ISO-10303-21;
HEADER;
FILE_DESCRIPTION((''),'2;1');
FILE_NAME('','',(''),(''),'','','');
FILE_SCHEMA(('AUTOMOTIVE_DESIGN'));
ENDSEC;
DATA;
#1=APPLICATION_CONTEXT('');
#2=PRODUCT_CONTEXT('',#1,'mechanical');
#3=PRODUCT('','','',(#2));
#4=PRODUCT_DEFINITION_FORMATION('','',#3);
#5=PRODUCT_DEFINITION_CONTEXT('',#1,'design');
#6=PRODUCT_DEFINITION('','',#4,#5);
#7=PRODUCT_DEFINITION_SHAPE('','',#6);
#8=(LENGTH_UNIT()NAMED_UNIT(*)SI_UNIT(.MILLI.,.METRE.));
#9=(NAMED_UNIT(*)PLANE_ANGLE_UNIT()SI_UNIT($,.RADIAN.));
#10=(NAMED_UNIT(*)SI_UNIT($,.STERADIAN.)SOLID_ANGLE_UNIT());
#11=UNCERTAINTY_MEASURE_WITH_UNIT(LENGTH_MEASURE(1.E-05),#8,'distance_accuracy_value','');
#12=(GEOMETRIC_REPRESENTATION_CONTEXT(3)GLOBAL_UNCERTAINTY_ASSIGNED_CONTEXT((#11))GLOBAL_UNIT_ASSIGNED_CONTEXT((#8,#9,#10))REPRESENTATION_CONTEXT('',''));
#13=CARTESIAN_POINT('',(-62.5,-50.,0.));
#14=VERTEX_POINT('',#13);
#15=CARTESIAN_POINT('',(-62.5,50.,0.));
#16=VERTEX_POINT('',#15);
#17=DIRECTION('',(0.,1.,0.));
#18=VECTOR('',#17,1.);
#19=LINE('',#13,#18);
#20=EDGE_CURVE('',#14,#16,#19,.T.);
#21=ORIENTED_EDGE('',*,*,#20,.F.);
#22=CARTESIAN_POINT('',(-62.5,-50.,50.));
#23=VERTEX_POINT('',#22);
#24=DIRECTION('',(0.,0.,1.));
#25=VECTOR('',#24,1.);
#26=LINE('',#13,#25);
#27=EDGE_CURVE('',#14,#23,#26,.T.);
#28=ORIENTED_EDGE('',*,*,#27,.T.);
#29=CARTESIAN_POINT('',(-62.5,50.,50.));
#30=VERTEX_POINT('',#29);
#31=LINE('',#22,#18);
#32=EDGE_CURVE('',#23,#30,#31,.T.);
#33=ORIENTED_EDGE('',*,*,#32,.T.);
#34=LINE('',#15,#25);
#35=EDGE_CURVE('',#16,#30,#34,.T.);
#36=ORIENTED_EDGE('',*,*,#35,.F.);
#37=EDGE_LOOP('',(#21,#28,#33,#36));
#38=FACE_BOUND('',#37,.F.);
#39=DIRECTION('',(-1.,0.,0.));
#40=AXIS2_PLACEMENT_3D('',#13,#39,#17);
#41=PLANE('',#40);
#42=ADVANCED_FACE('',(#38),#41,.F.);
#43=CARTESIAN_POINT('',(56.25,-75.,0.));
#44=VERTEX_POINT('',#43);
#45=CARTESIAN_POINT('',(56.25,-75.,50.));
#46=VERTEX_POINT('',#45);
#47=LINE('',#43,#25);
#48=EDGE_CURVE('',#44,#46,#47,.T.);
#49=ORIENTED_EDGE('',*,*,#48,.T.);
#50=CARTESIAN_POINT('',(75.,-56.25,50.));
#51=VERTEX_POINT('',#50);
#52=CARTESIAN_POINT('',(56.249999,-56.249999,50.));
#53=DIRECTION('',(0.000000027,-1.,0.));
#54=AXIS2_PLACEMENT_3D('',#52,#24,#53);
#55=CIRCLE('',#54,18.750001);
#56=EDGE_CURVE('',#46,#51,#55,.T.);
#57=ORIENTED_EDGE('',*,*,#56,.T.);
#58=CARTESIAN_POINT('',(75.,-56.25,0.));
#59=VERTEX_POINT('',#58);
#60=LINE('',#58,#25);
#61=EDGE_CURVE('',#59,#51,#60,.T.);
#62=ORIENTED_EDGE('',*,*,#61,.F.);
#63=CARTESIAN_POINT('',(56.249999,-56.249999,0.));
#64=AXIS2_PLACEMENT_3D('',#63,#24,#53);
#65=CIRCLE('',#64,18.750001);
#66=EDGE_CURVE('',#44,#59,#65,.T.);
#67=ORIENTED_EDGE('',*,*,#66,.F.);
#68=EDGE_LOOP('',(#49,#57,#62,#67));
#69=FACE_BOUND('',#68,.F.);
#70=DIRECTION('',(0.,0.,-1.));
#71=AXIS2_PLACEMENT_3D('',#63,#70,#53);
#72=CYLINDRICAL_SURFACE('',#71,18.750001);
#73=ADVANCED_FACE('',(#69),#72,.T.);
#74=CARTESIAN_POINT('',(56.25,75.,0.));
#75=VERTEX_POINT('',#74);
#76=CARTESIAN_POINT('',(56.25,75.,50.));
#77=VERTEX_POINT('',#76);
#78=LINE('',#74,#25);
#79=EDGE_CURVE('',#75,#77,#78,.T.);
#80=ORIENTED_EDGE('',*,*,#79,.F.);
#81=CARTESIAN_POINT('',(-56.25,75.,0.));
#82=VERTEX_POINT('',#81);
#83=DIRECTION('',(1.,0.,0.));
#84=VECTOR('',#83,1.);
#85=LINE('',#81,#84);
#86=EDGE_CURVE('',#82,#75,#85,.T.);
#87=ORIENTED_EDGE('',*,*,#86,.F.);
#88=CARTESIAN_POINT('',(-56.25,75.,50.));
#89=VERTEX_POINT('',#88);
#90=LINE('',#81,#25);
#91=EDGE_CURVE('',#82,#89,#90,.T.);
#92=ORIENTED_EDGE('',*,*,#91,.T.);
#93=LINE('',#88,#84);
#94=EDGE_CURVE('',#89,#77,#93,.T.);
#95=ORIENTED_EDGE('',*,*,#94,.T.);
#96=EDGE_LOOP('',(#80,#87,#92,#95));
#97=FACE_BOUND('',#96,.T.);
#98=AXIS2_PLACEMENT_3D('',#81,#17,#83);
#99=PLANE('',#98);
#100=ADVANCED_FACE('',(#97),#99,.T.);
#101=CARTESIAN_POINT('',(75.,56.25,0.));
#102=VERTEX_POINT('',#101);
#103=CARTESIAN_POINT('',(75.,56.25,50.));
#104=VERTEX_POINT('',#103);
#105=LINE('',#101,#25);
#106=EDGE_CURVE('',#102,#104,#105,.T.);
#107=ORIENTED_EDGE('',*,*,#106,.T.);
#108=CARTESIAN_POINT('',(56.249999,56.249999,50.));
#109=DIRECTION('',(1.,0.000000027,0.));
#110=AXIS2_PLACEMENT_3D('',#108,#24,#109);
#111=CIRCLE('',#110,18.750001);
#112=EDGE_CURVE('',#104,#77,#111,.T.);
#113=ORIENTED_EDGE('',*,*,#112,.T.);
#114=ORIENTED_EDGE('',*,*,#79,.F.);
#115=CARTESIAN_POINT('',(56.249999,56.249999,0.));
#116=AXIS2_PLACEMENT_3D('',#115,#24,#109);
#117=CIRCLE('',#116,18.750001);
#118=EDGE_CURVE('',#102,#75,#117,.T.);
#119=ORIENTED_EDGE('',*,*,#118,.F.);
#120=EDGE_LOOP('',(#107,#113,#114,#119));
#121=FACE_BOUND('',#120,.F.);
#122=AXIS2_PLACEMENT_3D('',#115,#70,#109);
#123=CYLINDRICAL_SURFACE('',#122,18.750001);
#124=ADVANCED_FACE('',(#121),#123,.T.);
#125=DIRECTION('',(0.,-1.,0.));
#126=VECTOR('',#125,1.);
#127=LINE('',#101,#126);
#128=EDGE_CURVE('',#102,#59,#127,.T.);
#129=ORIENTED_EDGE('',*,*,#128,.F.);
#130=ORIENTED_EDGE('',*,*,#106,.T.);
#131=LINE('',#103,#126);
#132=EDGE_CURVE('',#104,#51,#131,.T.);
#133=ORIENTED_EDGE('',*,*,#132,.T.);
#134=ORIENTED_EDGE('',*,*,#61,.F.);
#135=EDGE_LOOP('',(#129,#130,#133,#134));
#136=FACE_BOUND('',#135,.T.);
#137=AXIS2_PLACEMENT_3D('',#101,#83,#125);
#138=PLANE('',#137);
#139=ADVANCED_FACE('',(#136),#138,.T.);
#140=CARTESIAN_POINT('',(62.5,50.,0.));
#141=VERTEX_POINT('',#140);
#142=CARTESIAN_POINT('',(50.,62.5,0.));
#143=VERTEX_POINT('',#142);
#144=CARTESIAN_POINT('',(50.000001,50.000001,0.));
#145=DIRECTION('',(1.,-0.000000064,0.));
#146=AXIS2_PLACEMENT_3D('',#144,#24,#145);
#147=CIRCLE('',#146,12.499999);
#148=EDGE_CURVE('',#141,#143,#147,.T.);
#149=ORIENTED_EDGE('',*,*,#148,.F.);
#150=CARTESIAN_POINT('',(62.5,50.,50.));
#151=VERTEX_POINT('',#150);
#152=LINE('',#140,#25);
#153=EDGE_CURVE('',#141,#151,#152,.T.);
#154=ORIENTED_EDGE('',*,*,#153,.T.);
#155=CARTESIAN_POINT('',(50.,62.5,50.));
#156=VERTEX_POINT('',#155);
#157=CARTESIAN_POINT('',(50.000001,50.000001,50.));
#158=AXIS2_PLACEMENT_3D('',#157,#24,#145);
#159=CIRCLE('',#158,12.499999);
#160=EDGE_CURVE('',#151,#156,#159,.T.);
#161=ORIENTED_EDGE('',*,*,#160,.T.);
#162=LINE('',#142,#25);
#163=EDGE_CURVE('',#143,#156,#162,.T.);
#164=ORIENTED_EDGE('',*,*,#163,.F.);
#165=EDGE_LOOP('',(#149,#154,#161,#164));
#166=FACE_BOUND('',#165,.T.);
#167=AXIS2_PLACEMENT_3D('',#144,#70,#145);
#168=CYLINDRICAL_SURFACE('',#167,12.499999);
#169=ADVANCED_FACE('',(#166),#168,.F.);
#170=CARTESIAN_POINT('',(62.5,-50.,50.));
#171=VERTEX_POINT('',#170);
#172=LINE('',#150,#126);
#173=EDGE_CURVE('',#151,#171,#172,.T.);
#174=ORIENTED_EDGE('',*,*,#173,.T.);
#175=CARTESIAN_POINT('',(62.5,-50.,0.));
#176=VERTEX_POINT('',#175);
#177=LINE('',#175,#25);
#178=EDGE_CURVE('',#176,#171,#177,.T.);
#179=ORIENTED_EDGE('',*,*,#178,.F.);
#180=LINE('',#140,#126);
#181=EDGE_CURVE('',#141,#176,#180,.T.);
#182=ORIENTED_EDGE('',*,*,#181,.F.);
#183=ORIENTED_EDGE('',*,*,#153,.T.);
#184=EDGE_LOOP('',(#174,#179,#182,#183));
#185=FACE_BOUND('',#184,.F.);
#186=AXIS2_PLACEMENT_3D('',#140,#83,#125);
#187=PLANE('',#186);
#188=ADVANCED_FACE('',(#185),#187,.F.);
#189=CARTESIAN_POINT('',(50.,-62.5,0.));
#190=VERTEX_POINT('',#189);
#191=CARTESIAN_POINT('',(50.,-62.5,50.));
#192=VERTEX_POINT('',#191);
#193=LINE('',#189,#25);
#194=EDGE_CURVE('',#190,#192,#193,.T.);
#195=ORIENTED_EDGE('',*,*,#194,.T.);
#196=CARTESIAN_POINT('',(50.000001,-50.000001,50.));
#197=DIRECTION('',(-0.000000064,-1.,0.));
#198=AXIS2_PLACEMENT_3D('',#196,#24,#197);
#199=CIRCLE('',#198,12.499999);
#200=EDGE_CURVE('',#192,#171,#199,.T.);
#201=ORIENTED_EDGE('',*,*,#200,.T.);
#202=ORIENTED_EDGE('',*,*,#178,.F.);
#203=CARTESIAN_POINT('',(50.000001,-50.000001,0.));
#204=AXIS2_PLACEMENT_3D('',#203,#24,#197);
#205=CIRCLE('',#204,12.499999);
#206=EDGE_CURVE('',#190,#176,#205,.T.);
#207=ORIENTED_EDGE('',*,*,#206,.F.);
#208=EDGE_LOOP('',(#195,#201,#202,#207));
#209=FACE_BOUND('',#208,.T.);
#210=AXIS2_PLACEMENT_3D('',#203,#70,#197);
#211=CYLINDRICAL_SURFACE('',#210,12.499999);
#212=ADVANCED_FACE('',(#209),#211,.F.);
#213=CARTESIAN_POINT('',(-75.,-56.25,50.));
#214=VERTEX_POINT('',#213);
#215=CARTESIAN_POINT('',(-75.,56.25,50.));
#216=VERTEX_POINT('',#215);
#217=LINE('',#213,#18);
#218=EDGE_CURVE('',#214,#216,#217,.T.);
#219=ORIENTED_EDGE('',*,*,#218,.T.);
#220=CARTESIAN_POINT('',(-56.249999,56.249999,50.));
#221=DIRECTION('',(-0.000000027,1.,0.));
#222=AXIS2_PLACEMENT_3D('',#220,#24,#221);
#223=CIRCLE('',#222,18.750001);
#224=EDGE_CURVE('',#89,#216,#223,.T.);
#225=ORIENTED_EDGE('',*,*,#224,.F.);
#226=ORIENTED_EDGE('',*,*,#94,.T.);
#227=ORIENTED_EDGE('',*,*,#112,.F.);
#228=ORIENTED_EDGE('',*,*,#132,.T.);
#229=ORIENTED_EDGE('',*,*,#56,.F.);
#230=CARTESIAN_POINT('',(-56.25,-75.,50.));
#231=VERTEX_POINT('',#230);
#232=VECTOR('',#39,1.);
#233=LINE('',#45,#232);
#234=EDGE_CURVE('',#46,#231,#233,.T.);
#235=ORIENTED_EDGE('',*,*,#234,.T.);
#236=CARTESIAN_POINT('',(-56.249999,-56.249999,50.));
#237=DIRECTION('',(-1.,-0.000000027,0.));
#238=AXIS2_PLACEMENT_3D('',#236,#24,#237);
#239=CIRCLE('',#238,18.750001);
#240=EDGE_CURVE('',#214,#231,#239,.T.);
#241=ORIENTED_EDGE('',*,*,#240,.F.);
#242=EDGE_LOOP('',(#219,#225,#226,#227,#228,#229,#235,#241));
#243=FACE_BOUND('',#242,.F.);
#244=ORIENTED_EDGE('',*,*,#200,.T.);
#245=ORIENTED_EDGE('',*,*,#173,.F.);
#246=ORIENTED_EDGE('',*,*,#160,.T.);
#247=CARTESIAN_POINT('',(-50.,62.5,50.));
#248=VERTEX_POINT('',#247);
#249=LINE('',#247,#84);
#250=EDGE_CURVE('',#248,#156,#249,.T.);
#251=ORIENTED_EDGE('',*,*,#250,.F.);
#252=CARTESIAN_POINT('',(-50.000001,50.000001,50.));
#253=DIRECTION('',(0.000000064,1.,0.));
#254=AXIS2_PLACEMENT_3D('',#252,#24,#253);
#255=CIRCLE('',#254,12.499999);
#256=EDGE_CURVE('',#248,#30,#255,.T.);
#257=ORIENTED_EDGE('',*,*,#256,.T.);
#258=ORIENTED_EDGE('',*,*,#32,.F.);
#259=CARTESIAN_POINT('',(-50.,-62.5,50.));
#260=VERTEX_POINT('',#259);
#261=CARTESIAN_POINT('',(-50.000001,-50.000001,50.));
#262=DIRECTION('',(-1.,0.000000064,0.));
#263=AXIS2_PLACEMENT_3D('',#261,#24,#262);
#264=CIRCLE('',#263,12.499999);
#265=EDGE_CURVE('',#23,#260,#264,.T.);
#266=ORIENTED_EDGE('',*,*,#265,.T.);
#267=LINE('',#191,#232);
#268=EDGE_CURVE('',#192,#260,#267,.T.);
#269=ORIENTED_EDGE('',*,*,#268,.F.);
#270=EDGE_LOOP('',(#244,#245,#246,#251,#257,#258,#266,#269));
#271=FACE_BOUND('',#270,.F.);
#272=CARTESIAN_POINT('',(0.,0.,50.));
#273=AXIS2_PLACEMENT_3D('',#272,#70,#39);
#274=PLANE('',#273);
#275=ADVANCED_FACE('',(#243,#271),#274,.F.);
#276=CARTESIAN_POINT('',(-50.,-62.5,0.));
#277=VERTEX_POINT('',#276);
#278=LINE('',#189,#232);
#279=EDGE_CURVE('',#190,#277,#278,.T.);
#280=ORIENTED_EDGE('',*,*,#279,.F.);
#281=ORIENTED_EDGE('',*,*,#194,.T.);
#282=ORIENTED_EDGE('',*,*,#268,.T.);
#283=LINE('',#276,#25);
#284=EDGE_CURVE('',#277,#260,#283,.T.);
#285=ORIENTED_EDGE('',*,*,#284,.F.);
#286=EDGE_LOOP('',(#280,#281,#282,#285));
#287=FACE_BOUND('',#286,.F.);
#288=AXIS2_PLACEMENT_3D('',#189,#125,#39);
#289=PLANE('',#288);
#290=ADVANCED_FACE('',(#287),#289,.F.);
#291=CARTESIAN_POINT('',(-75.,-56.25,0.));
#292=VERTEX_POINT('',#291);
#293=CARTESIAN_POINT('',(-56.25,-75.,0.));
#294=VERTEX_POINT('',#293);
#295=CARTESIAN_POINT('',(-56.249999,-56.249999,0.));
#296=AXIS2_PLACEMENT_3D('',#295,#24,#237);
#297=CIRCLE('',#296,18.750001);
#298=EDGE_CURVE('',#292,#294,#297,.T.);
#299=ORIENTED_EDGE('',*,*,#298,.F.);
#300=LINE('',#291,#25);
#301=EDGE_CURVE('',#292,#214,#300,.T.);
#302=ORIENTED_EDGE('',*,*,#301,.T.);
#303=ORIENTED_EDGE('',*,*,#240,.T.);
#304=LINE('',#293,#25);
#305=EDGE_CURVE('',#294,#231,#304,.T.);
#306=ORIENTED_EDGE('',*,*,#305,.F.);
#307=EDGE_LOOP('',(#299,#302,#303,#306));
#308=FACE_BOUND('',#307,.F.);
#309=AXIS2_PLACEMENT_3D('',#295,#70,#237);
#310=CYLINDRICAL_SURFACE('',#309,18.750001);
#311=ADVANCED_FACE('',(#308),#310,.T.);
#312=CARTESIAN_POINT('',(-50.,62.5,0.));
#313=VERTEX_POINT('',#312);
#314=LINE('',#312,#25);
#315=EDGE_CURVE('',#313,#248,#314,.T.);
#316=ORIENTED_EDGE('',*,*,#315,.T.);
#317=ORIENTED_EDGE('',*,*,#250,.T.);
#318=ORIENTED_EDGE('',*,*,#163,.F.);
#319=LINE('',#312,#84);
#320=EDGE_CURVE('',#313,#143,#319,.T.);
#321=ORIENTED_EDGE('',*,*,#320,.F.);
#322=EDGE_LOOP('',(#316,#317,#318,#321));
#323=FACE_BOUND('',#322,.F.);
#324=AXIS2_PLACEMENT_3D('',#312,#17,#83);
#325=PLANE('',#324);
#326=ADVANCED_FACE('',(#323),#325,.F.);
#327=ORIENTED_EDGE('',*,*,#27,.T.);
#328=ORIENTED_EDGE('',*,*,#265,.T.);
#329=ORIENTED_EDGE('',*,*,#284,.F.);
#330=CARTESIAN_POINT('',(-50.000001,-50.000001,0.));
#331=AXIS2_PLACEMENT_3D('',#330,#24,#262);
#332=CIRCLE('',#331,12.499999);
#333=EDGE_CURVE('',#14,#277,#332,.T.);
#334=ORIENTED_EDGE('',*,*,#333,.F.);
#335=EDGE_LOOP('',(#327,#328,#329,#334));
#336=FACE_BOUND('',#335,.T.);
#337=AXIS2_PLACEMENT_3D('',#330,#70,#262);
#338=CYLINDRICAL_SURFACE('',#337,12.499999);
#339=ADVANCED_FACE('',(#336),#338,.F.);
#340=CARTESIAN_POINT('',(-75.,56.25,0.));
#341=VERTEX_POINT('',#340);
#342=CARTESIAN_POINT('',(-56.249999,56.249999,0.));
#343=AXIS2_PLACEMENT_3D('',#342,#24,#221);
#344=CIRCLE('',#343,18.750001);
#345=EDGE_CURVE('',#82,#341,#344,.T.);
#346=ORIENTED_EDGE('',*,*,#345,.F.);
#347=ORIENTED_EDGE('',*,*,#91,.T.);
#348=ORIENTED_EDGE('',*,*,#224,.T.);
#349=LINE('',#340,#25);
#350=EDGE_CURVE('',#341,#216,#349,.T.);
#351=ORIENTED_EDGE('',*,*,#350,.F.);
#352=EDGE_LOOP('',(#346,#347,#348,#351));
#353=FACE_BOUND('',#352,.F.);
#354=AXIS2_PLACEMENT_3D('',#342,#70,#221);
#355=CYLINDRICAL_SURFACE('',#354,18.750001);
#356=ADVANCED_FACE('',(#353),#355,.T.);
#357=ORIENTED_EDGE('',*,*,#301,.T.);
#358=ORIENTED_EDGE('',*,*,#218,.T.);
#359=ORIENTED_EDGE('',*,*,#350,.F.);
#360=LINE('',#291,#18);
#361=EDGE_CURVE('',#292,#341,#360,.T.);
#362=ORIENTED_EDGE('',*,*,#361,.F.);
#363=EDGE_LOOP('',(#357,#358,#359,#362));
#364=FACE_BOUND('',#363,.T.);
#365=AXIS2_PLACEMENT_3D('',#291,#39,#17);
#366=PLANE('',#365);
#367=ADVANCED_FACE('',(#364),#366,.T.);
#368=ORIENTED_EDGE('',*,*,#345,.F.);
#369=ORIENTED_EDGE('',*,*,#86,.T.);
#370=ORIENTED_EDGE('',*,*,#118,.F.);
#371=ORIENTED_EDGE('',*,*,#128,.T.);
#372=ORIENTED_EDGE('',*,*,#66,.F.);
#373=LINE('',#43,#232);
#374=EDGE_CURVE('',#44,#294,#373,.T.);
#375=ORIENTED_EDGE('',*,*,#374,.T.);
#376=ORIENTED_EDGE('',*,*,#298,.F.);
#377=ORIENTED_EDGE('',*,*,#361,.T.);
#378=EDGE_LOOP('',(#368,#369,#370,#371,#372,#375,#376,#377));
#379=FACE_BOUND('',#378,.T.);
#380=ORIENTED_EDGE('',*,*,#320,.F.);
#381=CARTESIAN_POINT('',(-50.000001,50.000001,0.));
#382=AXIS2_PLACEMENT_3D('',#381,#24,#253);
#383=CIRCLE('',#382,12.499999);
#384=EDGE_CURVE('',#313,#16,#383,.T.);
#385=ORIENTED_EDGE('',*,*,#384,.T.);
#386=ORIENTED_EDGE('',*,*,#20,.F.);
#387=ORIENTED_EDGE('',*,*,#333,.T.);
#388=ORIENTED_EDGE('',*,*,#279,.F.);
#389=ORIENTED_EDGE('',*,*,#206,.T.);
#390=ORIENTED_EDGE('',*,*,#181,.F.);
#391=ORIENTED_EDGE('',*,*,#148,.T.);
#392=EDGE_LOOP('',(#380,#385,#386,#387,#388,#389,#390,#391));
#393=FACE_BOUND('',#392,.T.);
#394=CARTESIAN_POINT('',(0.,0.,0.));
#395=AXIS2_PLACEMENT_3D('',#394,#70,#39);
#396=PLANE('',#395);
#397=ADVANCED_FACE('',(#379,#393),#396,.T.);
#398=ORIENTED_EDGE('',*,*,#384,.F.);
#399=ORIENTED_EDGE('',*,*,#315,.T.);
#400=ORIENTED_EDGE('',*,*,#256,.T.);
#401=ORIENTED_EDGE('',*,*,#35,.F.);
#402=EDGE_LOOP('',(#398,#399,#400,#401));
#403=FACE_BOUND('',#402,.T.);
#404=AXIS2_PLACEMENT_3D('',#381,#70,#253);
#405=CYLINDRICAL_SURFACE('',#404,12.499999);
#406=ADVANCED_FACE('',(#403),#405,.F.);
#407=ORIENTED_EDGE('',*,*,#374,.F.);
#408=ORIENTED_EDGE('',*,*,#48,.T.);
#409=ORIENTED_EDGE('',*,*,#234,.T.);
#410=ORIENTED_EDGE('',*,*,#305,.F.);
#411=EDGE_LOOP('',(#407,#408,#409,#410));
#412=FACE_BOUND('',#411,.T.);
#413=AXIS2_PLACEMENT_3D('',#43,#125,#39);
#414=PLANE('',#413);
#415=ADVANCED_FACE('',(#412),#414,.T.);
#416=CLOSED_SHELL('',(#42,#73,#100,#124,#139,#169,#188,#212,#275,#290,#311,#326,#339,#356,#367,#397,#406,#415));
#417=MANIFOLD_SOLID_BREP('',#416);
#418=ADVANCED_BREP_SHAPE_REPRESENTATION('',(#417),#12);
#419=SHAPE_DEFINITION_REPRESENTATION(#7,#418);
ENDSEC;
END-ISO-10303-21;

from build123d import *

# Parameters (mm, degrees)
EXTRUDE_DEPTH = 50


with BuildPart() as part:
    # Sketch → Extrude (new body)
    with BuildSketch(Plane.XY):
        with BuildLine():
            Line((-56.25, 75), (56.25, 75))
            ThreePointArc((75, 56.25), (69.508252, 69.508252), (56.25, 75))
            Line((75, 56.25), (75, -56.25))
            ThreePointArc((56.25, -75), (69.508252, -69.508252), (75, -56.25))
            Line((56.25, -75), (-56.25, -75))
            ThreePointArc((-75, -56.25), (-69.508252, -69.508252), (-56.25, -75))
            Line((-75, -56.25), (-75, 56.25))
            ThreePointArc((-56.25, 75), (-69.508252, 69.508252), (-75, 56.25))
        make_face()
        with BuildLine():
            Line((-50, 62.5), (50, 62.5))
            ThreePointArc((62.5, 50), (58.838835, 58.838835), (50, 62.5))
            Line((62.5, 50), (62.5, -50))
            ThreePointArc((50, -62.5), (58.838835, -58.838835), (62.5, -50))
            Line((50, -62.5), (-50, -62.5))
            ThreePointArc((-62.5, -50), (-58.838835, -58.838835), (-50, -62.5))
            Line((-62.5, -50), (-62.5, 50))
            ThreePointArc((-50, 62.5), (-58.838835, 58.838835), (-62.5, 50))
        make_face(mode=Mode.SUBTRACT)
    extrude(amount=EXTRUDE_DEPTH)


solid = part.part
